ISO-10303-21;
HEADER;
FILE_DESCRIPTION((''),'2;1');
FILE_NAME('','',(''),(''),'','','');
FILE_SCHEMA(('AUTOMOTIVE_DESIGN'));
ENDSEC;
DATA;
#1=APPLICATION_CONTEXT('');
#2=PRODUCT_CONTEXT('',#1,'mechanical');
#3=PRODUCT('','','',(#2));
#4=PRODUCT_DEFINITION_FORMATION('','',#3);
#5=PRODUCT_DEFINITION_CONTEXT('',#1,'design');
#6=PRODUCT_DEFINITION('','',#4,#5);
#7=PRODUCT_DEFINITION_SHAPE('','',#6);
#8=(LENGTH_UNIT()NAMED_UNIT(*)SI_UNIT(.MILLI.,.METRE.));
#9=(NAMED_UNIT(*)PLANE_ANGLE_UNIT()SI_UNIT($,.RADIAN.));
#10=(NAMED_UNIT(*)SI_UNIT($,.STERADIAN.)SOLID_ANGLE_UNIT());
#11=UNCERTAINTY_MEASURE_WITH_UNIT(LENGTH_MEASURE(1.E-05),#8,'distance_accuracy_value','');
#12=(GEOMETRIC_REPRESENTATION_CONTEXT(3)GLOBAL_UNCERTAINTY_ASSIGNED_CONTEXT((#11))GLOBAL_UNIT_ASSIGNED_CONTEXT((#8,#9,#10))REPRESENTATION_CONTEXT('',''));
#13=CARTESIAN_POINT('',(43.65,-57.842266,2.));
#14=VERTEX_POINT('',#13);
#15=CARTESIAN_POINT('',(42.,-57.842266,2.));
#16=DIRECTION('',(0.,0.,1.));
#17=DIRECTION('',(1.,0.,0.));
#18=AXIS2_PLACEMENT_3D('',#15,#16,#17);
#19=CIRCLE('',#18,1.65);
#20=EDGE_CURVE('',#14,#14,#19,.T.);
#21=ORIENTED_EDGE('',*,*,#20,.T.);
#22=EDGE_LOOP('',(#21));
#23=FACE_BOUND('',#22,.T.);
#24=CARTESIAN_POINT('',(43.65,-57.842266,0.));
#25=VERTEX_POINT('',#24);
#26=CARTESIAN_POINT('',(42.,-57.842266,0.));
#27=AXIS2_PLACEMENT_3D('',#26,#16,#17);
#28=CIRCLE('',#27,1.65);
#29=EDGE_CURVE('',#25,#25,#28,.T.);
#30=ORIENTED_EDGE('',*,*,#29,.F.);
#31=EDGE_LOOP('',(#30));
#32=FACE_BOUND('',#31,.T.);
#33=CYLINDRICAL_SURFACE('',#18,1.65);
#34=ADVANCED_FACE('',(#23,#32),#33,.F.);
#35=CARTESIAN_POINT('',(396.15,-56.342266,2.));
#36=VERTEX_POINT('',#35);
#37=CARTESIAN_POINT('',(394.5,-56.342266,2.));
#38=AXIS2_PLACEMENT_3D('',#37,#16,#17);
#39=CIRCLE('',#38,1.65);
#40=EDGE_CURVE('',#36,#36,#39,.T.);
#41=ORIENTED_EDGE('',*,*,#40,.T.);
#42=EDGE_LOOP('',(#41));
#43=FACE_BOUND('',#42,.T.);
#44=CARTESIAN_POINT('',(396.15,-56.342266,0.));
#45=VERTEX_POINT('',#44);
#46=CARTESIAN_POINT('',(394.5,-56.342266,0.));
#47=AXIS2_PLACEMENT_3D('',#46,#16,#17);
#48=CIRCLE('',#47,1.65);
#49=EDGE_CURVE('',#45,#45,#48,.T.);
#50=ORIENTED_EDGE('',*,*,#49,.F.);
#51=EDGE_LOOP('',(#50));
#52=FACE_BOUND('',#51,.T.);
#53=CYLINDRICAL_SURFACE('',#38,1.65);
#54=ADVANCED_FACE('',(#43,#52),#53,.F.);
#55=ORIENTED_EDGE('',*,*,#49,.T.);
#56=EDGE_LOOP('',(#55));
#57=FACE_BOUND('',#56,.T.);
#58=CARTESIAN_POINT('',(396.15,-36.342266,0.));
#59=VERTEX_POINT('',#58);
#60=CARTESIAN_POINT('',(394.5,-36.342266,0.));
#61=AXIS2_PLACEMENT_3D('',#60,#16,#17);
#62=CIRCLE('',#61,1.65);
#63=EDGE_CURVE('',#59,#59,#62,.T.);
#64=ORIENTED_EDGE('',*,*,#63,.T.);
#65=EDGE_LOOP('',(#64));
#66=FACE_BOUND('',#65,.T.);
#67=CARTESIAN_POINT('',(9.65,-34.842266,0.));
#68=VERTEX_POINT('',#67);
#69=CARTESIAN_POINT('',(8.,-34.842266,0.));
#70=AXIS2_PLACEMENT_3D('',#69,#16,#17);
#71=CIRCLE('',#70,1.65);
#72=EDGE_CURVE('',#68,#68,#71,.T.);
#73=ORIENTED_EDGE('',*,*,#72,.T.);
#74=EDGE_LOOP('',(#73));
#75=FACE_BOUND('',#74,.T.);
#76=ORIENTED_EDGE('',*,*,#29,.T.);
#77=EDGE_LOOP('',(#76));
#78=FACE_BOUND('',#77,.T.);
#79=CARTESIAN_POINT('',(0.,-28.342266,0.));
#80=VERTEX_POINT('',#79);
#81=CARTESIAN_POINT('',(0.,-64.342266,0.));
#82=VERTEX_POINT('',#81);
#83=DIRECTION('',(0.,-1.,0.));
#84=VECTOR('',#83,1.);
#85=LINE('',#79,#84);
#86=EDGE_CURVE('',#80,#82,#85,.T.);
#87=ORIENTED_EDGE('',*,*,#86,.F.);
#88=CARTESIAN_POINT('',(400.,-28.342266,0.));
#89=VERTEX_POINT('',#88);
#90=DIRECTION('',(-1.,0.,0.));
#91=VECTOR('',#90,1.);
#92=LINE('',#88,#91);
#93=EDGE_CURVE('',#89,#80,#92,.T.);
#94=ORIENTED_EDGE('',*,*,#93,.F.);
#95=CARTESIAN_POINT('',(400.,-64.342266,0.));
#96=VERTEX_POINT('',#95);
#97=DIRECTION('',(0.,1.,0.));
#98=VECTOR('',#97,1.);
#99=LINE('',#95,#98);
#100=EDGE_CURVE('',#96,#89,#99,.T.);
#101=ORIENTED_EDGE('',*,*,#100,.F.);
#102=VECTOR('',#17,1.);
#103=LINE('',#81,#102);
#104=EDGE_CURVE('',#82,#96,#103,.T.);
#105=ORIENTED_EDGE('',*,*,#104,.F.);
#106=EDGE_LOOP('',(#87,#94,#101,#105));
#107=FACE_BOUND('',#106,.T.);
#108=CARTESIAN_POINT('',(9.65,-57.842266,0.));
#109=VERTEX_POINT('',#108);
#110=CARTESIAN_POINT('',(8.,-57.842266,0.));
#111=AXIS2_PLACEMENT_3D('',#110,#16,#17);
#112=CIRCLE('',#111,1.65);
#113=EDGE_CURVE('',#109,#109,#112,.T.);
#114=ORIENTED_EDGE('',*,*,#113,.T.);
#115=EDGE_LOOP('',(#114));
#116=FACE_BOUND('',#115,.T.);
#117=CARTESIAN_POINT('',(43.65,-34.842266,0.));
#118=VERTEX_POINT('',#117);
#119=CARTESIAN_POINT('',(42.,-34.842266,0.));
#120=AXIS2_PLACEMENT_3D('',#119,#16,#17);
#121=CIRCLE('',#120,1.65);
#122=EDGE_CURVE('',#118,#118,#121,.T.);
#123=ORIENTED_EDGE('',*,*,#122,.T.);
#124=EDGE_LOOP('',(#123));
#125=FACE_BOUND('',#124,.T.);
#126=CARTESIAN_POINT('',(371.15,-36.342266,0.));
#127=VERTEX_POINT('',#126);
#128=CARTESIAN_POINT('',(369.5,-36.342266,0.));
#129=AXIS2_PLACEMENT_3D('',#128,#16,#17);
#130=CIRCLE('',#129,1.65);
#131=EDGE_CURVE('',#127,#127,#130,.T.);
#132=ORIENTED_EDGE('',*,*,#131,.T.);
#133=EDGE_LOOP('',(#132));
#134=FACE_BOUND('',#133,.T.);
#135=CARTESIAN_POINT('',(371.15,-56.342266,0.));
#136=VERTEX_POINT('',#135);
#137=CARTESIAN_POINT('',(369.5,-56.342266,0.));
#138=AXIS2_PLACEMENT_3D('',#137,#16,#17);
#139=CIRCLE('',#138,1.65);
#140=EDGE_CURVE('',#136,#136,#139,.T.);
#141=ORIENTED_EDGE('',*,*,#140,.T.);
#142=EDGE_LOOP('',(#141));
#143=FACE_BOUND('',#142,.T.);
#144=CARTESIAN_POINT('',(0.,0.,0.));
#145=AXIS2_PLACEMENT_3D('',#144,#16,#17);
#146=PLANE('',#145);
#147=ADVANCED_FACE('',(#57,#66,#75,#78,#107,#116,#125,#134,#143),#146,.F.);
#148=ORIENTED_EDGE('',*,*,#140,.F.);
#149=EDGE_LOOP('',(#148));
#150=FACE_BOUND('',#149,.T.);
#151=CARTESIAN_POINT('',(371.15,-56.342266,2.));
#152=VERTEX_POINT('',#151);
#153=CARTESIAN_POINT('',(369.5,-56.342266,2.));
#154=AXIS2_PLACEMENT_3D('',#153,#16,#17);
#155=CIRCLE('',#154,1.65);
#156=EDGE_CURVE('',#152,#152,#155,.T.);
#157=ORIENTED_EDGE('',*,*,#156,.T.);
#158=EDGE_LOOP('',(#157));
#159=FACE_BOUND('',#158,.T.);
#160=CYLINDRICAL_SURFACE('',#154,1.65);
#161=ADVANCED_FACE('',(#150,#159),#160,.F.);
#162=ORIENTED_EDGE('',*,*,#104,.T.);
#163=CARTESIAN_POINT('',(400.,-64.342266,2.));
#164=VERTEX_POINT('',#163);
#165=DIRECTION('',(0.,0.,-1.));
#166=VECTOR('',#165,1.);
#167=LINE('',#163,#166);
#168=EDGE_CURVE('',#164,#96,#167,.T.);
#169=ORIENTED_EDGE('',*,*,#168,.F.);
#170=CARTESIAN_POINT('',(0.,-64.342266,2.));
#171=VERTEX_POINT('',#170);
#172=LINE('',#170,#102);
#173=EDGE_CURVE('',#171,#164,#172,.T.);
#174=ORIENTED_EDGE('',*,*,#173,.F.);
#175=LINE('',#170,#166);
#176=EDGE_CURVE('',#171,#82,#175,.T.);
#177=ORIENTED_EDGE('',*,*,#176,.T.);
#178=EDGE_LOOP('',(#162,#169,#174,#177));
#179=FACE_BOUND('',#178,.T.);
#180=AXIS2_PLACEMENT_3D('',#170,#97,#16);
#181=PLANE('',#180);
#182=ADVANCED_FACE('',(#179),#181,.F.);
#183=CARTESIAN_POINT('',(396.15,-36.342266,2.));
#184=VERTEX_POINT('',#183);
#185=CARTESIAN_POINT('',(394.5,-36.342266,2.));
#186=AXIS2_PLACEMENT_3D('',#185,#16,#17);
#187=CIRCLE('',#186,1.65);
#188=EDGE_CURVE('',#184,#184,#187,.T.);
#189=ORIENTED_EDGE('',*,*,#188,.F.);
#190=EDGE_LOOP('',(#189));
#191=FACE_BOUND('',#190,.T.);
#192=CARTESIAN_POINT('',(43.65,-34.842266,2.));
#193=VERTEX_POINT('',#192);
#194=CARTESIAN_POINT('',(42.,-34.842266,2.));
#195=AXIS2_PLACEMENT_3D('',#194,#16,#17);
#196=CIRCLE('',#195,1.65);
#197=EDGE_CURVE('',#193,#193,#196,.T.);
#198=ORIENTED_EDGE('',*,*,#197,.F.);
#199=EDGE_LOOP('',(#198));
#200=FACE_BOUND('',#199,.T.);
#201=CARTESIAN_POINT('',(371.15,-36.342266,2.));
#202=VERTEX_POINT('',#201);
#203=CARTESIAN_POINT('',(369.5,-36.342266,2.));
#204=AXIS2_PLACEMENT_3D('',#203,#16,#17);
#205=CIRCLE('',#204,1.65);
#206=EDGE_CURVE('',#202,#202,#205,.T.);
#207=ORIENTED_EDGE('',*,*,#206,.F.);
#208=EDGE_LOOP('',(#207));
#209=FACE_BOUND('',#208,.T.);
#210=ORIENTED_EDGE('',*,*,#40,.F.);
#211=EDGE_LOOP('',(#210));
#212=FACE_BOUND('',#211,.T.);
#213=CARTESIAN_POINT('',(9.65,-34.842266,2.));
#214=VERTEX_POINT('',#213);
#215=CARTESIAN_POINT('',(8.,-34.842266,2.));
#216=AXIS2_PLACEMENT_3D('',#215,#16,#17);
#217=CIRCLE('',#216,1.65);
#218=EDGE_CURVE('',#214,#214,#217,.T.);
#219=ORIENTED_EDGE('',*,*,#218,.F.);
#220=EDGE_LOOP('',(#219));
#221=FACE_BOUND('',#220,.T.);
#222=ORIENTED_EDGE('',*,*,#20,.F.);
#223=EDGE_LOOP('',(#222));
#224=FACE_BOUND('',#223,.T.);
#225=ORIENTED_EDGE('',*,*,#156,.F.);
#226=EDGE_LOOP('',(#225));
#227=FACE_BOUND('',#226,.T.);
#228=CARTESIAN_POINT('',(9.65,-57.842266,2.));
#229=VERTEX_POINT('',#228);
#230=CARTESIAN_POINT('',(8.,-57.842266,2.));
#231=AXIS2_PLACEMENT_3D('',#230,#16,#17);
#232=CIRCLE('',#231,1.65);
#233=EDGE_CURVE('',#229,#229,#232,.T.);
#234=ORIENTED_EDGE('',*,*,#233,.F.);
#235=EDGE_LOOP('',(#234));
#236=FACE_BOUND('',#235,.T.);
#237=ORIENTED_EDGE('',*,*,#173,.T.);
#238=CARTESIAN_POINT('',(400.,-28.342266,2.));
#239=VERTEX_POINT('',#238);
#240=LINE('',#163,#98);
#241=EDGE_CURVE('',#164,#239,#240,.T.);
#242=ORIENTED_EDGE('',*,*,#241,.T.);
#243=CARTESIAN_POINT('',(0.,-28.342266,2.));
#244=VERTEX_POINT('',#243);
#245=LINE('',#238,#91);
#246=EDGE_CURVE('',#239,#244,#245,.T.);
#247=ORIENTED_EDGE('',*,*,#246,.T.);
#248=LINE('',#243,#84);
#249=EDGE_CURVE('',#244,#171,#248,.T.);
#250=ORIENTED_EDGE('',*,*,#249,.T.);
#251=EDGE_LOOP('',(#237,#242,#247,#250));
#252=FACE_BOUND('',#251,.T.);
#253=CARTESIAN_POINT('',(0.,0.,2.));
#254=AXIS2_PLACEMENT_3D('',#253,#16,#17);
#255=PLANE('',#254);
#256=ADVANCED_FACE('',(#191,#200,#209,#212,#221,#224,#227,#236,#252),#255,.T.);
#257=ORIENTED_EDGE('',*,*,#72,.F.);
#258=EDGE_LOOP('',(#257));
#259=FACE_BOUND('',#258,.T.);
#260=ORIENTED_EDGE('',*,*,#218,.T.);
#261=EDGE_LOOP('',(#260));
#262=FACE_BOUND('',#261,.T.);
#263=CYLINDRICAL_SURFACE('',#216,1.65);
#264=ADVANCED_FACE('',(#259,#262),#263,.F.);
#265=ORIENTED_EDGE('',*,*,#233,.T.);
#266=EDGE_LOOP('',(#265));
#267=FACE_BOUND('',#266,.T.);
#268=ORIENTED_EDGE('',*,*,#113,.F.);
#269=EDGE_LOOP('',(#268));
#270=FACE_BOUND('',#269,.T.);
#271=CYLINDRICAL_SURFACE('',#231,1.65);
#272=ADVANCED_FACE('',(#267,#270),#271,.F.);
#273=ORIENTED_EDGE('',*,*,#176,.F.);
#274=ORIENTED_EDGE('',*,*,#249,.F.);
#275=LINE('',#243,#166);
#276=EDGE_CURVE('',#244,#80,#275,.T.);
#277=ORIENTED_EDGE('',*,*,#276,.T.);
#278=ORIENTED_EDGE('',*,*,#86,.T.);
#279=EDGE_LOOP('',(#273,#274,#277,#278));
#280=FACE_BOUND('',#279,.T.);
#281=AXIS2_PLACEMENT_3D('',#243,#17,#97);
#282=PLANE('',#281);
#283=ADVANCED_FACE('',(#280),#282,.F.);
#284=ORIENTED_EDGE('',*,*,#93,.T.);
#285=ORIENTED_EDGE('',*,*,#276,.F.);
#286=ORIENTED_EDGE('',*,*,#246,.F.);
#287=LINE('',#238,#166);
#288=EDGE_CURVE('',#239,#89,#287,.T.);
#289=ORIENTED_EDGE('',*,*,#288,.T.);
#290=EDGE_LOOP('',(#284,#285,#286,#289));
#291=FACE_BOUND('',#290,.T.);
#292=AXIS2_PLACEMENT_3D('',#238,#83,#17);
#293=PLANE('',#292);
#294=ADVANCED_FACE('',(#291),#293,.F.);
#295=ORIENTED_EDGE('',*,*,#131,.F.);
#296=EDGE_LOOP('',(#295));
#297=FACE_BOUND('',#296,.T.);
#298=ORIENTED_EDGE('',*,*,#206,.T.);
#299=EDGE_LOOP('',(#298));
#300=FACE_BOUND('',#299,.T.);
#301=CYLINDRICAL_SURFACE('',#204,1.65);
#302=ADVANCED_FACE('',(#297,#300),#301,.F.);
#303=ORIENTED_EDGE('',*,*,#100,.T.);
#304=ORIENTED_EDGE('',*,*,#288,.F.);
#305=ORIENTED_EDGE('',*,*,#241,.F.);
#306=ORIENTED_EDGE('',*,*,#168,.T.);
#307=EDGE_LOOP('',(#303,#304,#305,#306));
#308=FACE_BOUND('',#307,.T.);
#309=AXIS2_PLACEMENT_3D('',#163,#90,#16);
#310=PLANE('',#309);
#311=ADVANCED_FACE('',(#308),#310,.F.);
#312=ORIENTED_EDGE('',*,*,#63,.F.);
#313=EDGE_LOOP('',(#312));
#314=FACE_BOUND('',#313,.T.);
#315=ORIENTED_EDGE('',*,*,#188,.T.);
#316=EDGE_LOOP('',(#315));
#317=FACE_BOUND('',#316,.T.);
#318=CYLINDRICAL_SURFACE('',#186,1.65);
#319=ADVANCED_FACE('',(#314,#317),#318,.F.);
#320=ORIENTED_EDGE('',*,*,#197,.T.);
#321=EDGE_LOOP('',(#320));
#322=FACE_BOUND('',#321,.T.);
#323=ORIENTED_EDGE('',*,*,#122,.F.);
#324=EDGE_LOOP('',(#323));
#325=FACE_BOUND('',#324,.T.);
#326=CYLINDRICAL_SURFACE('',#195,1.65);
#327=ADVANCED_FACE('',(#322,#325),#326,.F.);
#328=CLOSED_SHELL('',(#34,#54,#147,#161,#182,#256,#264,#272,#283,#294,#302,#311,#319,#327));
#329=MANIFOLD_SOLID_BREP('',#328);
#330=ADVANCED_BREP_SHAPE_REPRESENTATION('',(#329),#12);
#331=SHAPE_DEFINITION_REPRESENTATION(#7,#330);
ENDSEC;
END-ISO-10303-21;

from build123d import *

# Parameters (mm, degrees)
SKETCH_1_W             = 400
SKETCH_1_H             = 36
EXTRUDE_1_DEPTH        = 2
HOLE_WIZARD_M4_1_D     = 3.3
HOLE_WIZARD_M4_1_DEPTH = 10
HOLE_WIZARD_M4_1_TIP   = 0.991420021
HOLE_WIZARD_M4_2_D     = 3.3
HOLE_WIZARD_M4_2_DEPTH = 10
HOLE_WIZARD_M4_2_TIP   = 0.991420021


with BuildPart() as part:
    # 草图1 → 凸台-拉伸1 (new body)
    with BuildSketch(Plane.XY):
        with Locations((200, -46.342266003)):
            Rectangle(SKETCH_1_W, SKETCH_1_H)
    extrude(amount=EXTRUDE_1_DEPTH)

    # M4 螺纹孔的螺纹孔钻头1
    with Locations(Plane(origin=(8, -34.842266003, 2), x_dir=(1, 0, 0), z_dir=(0, 0, 1))):
        with Locations((0, 0), (34, 0), (0, -23), (34, -23)):
            Hole(HOLE_WIZARD_M4_1_D / 2, depth=HOLE_WIZARD_M4_1_DEPTH)
            with Locations((0, 0, -(HOLE_WIZARD_M4_1_DEPTH + HOLE_WIZARD_M4_1_TIP / 2))):  # 118° drill point
                Cone(0, HOLE_WIZARD_M4_1_D / 2, HOLE_WIZARD_M4_1_TIP, mode=Mode.SUBTRACT)

    # M4 螺纹孔的螺纹孔钻头2
    with Locations(Plane(origin=(394.5, -36.342266003, 2), x_dir=(1, 0, 0), z_dir=(0, 0, 1))):
        with Locations((0, 0), (0, -20), (-25, -20), (-25, 0)):
            Hole(HOLE_WIZARD_M4_2_D / 2, depth=HOLE_WIZARD_M4_2_DEPTH)
            with Locations((0, 0, -(HOLE_WIZARD_M4_2_DEPTH + HOLE_WIZARD_M4_2_TIP / 2))):  # 118° drill point
                Cone(0, HOLE_WIZARD_M4_2_D / 2, HOLE_WIZARD_M4_2_TIP, mode=Mode.SUBTRACT)


solid = part.part
